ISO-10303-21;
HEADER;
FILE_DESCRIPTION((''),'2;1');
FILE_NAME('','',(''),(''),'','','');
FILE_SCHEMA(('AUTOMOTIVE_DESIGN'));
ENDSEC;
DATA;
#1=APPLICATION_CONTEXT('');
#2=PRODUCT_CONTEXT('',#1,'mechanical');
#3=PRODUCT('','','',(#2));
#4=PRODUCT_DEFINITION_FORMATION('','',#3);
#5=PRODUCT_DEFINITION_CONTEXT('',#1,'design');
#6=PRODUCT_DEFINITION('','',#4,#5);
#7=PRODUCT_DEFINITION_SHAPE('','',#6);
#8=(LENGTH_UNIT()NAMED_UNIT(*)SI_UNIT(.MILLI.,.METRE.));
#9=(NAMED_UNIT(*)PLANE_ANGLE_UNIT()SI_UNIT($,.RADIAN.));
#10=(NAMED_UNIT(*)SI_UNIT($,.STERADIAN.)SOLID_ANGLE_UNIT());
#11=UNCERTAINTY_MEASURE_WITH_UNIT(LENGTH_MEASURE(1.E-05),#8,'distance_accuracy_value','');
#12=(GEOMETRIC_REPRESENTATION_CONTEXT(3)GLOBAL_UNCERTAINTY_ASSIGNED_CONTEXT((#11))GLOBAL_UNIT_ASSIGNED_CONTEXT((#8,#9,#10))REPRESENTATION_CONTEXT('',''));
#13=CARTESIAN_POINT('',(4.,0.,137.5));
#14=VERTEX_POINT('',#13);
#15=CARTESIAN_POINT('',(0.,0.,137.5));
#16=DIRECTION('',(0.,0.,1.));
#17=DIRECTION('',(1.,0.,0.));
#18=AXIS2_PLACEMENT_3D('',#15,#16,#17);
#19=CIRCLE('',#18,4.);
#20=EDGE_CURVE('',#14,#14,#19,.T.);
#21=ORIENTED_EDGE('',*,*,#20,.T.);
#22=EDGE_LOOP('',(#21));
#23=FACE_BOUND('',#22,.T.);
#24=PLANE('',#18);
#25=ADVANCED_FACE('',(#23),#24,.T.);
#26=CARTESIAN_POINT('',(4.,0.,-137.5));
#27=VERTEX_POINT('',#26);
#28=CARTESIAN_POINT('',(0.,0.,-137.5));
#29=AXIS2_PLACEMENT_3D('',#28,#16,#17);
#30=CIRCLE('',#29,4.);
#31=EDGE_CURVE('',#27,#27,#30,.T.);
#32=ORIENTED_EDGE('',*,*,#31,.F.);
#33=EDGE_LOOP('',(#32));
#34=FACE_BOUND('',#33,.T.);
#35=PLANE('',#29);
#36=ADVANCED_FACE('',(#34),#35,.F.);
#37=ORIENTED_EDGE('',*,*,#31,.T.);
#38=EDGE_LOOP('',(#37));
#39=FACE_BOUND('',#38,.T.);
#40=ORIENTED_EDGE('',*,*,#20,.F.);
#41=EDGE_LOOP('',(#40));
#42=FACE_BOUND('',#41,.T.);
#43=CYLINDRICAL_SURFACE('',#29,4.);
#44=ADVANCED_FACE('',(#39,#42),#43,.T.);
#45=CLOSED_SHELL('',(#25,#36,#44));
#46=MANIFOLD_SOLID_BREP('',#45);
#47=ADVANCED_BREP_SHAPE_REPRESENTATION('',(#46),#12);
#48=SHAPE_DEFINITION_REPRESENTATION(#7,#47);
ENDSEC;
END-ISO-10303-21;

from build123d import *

# Parameters (mm, degrees)
BOSS_EXTRUDE1_DEPTH      = 137.5
BOSS_EXTRUDE1_DEPTH_BACK = 137.5
SKETCH1_R                = 4


with BuildPart() as part:
    # Sketch1 → Boss-Extrude1 (new, two sides: drawn at the far end of the back side and taken through both)
    with BuildSketch(Plane.XY.offset(-BOSS_EXTRUDE1_DEPTH_BACK)):
        Circle(SKETCH1_R)
    extrude(amount=BOSS_EXTRUDE1_DEPTH + BOSS_EXTRUDE1_DEPTH_BACK)


solid = part.part
